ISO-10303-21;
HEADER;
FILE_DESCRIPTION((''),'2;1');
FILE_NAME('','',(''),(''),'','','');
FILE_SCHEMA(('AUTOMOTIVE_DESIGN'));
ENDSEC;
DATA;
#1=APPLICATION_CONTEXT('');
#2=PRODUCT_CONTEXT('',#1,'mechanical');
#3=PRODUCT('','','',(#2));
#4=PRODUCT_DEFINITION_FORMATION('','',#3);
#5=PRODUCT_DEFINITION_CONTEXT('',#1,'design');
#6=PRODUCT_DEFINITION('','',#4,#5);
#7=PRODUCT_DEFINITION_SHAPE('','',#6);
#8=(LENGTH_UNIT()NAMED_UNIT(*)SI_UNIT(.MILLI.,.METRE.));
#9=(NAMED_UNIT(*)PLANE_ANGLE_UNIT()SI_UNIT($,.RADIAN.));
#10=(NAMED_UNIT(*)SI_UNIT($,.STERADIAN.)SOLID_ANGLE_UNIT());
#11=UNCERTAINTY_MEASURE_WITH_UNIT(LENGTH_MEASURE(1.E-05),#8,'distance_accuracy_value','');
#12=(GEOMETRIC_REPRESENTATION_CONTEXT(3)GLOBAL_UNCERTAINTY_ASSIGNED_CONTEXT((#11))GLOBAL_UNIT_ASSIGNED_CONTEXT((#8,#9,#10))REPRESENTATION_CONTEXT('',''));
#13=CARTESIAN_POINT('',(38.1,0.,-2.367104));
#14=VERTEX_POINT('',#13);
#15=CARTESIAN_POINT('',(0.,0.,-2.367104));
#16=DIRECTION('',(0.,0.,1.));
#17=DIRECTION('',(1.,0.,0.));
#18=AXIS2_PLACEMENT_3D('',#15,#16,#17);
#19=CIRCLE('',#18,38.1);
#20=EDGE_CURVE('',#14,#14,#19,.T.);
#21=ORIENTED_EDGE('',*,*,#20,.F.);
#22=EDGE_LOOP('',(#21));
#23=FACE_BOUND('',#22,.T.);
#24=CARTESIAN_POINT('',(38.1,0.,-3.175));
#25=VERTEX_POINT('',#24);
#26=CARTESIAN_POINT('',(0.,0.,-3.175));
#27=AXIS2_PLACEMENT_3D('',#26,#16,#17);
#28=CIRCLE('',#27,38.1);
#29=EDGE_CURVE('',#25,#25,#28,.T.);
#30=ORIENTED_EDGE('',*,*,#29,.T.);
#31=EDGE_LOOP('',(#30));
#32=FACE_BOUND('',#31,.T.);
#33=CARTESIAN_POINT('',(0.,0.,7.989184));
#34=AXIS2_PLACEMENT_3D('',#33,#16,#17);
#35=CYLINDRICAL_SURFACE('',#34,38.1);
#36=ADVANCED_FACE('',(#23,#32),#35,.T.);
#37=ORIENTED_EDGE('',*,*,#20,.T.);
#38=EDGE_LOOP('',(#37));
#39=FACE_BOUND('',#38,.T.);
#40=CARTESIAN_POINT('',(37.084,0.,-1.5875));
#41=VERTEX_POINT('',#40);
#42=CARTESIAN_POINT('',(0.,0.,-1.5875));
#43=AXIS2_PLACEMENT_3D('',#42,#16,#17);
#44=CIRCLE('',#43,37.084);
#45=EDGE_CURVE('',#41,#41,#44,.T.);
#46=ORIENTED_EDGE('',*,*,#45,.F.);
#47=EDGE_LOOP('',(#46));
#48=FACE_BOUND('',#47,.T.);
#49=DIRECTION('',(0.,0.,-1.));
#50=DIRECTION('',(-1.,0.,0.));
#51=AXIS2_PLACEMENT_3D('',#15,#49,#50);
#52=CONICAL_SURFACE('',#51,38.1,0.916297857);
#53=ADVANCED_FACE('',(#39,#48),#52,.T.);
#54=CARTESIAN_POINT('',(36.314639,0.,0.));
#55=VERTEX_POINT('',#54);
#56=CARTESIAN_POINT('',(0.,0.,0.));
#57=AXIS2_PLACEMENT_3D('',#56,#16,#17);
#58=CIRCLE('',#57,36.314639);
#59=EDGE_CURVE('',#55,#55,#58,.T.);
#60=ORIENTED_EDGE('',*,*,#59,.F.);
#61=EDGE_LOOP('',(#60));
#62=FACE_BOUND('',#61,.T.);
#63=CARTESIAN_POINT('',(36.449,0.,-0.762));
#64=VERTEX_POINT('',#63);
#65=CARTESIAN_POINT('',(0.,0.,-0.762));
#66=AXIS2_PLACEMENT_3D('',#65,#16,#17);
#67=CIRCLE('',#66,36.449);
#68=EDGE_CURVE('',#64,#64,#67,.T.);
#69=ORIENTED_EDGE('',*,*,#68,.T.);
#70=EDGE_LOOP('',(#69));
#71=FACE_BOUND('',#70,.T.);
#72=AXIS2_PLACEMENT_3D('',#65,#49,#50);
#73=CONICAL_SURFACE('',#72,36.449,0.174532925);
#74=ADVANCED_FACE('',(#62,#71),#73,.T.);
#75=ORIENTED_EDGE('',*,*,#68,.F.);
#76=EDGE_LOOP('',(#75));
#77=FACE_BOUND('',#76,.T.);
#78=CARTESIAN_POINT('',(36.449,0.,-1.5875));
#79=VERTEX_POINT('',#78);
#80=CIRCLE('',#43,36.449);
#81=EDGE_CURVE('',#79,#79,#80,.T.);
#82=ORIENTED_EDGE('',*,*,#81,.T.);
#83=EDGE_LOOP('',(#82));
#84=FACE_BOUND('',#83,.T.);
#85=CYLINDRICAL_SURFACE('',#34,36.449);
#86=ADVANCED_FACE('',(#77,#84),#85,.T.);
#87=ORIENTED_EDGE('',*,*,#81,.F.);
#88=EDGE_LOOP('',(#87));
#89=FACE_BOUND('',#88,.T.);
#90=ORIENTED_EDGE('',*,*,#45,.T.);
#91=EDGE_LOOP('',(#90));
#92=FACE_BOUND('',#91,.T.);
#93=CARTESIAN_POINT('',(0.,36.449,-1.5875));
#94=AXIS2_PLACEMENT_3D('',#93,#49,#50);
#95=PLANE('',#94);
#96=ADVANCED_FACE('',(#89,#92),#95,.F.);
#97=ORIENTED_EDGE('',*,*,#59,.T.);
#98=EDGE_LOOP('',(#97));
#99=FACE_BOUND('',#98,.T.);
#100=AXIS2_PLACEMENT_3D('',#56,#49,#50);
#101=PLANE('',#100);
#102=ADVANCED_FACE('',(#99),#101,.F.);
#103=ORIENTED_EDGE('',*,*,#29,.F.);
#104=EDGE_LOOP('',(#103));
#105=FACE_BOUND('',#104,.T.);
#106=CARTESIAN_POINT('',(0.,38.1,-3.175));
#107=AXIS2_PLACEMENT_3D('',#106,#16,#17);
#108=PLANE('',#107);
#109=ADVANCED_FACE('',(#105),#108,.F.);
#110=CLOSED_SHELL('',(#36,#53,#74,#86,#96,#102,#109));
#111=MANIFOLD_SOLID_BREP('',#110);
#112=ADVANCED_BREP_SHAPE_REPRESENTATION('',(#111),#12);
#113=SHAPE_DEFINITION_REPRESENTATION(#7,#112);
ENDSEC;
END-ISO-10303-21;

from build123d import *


with BuildPart() as part:
    # Sketch1 → Revolve1 (revolve)
    with BuildSketch(Plane(origin=(0, 0, 0), x_dir=(0, 0, -1), z_dir=(1, 0, 0)), mode=Mode.PRIVATE) as revolve1_sk:
        Polygon((0, 0), (0, 36.314638841), (0.762, 36.449), (1.5875, 36.449), (1.5875, 37.084), (2.36710422, 38.1), (3.175, 38.1), (3.175, 0), align=None)
    revolve(revolve1_sk.sketch.rotate(Axis((0, 0, 7.989183655), (0, 0, -1)), 90), axis=Axis((0, 0, 7.989183655), (0, 0, -1)))


solid = part.part
